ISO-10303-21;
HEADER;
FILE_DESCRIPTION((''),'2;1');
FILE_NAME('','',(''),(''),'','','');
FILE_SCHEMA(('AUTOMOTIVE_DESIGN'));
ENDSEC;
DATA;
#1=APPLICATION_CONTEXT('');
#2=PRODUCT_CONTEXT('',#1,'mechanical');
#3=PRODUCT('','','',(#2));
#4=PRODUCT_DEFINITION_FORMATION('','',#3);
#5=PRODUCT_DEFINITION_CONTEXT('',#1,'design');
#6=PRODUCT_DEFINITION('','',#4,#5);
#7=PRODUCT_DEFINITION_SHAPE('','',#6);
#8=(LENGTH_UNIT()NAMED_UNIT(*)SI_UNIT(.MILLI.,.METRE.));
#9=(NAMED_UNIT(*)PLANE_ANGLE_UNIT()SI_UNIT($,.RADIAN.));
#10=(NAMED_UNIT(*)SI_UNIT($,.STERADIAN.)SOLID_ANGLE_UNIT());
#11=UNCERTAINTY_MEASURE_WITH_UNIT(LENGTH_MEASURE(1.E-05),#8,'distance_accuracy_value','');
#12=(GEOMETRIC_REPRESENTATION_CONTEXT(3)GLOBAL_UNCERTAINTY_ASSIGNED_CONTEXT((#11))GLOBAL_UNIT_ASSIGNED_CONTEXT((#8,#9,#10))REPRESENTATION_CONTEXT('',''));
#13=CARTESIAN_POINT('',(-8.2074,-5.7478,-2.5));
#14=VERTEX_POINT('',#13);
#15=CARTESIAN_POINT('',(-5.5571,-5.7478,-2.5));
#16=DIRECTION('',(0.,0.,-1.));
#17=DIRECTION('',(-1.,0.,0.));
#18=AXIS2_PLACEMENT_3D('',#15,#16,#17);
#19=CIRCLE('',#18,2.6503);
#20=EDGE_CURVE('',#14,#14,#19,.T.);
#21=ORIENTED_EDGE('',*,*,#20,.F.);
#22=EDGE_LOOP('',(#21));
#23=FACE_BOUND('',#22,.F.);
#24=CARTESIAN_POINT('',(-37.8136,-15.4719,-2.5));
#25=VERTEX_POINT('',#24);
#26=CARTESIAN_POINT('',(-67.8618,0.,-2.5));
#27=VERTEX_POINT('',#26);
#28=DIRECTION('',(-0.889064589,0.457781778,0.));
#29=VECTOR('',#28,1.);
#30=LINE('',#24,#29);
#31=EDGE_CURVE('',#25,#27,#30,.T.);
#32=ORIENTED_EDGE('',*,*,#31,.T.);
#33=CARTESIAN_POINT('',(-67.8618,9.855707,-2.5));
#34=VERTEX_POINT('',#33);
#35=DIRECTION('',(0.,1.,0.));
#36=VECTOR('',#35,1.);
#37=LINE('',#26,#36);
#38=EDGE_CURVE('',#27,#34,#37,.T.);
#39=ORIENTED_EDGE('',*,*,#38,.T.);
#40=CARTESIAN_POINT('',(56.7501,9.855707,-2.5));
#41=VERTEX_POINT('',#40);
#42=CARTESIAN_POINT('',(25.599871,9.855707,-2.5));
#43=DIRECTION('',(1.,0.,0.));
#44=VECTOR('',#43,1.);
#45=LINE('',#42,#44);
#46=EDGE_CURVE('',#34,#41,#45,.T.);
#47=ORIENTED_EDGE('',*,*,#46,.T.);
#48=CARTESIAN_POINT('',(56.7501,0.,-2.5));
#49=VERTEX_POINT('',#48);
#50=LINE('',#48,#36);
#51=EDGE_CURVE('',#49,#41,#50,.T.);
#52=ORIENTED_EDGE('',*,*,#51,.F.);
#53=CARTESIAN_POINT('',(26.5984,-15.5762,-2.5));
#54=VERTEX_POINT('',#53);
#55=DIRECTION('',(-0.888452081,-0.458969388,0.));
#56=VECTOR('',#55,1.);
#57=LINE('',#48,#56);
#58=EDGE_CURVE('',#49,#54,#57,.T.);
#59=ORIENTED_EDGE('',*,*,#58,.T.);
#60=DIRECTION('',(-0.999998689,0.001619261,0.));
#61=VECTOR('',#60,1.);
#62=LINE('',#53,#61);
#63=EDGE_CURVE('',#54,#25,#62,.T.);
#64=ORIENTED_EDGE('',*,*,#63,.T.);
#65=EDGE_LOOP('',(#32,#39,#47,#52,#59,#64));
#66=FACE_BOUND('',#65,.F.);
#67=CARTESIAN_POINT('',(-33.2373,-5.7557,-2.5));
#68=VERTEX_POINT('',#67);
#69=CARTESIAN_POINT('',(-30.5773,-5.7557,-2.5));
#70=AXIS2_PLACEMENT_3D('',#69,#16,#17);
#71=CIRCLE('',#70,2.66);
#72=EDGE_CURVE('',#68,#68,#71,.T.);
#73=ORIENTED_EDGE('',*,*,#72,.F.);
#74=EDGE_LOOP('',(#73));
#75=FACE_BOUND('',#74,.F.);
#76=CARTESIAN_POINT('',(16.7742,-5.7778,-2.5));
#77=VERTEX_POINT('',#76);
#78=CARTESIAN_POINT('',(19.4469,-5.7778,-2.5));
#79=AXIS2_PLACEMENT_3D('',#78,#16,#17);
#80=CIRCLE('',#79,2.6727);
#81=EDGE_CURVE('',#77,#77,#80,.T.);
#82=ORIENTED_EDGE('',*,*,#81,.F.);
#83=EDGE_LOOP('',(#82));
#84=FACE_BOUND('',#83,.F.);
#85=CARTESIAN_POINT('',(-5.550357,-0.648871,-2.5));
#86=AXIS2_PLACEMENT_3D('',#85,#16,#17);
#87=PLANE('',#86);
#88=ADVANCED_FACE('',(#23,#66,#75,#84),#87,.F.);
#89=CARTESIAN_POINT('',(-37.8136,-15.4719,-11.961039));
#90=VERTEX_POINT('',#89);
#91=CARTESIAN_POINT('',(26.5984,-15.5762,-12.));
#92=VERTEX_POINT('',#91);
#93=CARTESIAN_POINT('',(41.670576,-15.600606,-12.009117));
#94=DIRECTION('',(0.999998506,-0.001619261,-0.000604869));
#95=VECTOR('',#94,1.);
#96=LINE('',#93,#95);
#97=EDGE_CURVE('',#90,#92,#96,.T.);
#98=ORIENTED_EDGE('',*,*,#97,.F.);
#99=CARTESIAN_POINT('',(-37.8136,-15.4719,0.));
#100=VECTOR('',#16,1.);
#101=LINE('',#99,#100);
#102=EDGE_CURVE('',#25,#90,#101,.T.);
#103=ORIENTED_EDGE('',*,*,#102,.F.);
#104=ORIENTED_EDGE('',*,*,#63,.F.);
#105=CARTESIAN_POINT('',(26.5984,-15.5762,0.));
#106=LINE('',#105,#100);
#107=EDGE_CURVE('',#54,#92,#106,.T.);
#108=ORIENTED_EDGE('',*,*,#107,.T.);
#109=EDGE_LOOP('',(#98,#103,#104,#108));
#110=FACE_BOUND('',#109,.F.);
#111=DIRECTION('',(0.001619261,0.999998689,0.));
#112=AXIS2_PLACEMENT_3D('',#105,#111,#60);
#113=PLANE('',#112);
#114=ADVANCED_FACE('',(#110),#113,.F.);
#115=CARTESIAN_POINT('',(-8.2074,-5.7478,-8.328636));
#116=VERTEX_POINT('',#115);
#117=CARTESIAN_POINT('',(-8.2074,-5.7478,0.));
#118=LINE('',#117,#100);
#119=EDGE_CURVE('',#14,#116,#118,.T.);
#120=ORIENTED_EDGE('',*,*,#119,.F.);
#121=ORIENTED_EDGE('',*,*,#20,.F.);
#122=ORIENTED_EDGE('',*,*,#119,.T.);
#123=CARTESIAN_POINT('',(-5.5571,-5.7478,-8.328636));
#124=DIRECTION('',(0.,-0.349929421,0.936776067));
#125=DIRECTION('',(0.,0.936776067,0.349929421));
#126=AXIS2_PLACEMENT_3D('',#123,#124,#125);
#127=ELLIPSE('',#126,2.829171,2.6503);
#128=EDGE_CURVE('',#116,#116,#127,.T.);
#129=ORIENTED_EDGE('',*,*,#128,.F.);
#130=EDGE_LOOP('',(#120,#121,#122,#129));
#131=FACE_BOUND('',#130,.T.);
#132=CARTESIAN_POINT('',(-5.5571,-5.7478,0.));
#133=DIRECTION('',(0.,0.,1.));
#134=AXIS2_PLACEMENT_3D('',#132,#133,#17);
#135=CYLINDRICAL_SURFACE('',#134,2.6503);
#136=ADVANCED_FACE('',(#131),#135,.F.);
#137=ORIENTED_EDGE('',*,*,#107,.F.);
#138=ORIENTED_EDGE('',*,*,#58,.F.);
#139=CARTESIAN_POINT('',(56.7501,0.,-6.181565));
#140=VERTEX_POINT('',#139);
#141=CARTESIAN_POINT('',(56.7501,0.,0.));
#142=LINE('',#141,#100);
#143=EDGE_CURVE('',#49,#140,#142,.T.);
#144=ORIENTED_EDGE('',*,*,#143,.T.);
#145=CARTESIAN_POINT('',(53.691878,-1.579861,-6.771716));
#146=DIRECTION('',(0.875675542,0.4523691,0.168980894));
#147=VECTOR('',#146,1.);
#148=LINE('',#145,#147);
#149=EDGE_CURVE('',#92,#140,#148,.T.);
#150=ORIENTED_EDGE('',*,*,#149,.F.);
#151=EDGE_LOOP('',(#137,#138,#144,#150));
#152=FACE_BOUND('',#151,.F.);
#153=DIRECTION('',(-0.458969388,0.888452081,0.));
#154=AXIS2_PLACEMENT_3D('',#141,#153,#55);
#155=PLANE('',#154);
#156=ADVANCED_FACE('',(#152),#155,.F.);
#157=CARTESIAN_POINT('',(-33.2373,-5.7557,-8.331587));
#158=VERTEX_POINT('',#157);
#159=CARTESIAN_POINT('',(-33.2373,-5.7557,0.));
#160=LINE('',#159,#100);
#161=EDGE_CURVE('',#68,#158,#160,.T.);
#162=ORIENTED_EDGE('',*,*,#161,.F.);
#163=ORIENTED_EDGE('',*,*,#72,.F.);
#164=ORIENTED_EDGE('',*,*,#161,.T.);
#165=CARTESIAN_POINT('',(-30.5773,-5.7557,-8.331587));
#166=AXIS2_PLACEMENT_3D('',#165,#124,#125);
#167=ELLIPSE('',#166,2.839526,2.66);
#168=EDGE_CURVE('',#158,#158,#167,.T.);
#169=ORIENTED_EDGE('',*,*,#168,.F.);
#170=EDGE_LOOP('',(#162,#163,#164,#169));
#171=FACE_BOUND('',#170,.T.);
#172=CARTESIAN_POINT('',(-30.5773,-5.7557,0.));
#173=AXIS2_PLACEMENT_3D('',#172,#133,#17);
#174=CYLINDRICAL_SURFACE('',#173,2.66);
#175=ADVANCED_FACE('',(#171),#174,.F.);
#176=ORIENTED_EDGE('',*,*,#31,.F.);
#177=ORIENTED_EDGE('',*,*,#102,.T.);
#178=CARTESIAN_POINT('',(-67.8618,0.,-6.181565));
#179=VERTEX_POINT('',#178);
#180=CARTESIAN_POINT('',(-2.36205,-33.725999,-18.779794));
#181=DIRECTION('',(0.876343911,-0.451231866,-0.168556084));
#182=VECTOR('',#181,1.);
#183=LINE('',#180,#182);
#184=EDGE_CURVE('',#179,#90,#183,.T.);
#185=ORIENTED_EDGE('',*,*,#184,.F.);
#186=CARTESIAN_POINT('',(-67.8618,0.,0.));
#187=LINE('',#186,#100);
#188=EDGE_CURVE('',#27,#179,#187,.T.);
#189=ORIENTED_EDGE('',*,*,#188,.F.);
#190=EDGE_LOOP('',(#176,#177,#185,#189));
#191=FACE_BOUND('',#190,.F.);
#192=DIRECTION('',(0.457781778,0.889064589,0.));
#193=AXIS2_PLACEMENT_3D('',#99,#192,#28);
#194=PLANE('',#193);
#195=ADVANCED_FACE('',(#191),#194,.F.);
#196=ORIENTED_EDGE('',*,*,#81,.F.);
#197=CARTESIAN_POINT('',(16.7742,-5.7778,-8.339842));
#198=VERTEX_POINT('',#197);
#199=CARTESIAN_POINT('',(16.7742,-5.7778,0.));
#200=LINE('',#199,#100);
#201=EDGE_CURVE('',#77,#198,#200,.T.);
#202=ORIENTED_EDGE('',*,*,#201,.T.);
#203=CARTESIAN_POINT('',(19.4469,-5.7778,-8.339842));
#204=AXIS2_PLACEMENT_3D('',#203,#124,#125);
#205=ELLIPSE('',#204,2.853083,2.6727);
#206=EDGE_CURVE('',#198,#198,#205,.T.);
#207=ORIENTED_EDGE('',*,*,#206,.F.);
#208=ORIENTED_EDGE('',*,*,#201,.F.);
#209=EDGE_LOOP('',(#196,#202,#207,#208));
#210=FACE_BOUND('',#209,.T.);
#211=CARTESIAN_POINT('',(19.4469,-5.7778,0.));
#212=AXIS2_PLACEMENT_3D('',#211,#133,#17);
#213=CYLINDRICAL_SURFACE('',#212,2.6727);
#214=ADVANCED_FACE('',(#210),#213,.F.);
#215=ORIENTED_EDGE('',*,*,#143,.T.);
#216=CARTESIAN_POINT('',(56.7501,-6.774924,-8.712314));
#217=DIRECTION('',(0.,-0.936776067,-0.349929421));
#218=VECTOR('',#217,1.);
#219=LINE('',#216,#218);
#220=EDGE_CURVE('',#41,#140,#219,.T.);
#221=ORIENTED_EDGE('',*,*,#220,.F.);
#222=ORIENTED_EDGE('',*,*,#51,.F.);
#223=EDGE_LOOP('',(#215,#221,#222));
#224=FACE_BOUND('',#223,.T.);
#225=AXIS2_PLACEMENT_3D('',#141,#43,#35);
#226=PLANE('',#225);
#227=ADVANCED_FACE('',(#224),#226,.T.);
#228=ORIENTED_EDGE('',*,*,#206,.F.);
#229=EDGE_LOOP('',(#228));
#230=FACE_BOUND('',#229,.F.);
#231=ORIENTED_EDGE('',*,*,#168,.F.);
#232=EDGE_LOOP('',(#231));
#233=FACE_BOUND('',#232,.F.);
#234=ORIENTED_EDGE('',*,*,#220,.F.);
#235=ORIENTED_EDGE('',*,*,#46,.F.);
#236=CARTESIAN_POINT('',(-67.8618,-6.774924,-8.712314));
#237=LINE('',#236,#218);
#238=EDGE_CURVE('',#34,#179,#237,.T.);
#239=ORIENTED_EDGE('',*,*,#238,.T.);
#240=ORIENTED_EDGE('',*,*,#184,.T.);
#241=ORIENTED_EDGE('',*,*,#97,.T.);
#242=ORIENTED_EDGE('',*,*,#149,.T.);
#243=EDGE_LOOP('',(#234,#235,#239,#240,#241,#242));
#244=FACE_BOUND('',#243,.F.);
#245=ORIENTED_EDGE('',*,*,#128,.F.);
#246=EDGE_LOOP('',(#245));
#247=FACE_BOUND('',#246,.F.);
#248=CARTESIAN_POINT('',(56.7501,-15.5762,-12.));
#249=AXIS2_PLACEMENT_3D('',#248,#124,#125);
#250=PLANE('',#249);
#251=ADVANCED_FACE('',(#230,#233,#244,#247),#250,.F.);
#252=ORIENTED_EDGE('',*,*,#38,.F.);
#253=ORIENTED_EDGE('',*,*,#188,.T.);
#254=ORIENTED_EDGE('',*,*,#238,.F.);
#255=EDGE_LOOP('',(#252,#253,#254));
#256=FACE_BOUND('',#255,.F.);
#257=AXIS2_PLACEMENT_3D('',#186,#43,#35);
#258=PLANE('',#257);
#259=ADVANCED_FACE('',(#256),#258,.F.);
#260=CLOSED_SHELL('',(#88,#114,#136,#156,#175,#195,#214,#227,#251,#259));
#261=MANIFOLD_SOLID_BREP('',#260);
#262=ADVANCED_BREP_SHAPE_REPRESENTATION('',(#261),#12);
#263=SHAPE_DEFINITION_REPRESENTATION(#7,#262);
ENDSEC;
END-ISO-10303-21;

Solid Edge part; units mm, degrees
sketch "Sketch1" plane through (0, 0, 0) normal (0, 0, -1) x (-1, 0, 0)
  circle A0 centre (5.5571, -5.7478) radius 2.6503
  line L0 (-56.7501, 0) -> (-56.7501, 10)
  line L1 (-56.7501, 10) -> (67.8618, 10)
  line L2 (67.8618, 0) -> (67.8618, 10)
  line L3 (37.8136, -15.4719) -> (67.8618, 0)
  line L4 (-26.5984, -15.5762) -> (37.8136, -15.4719)
  line L5 (-56.7501, 0) -> (-26.5984, -15.5762)
  circle A1 centre (-19.4469, -5.7778) radius 2.6727
  circle A2 centre (30.5773, -5.7557) radius 2.66
  dimension "D1" = 5.3453
  dimension "D2" = 5.3006
  dimension "D3" = 5.32
  dimension "D4" = 33.9374
  dimension "D5" = 64.4121
  dimension "D6" = 33.7976
  dimension "D7" = 10
  dimension "D8" = 10
  dimension "D9" = 124.6119
extrude "Protrusion1" add sketch "Sketch1" along normal blind 12
sketch "Sketch2" plane through (56.7501, 5, -6) normal (1, 0, 0) x (0, 0, 1)
  line L0 (-6, -14.1297) -> (-20, 5)
  line L1 (-20, 5) -> (-6, 20.5762)
  line L2 (-6, 20.5762) -> (3.5539, -5)
  line L3 (3.5539, -5) -> (-6, -14.1297)
extrude "ExtrudedCutout_2" cut sketch "Sketch2" along normal mid plane 258
sketch "Sketch3" plane through (0, 0, 0) normal (0, 0, -1) x (-1, 0, 0)
  line L0 (37.8136, -15.4719) -> (67.8618, 0)
  line L1 (67.8618, 0) -> (67.8618, 10)
  line L2 (-56.7501, 10) -> (67.8618, 10)
  line L3 (-56.7501, 0) -> (-56.7501, 10)
  line L4 (-56.7501, 0) -> (-26.5984, -15.5762)
  line L5 (-26.5984, -15.5762) -> (37.8136, -15.4719)
  circle A0 centre (30.5773, -5.7557) radius 2.66
  circle A1 centre (5.5571, -5.7478) radius 2.6503
  circle A2 centre (-19.4469, -5.7778) radius 2.6727
  dimension "D1" = 5.3453
  dimension "D2" = 5.3006
  dimension "D3" = 5.32
  dimension "D4" = 33.9374
  dimension "D5" = 64.4121
  dimension "D6" = 33.7976
  dimension "D7" = 10
  dimension "D8" = 10
  dimension "D9" = 124.6119
extrude "ExtrudedCutout_3" cut sketch "Sketch3" along normal blind 2.5
